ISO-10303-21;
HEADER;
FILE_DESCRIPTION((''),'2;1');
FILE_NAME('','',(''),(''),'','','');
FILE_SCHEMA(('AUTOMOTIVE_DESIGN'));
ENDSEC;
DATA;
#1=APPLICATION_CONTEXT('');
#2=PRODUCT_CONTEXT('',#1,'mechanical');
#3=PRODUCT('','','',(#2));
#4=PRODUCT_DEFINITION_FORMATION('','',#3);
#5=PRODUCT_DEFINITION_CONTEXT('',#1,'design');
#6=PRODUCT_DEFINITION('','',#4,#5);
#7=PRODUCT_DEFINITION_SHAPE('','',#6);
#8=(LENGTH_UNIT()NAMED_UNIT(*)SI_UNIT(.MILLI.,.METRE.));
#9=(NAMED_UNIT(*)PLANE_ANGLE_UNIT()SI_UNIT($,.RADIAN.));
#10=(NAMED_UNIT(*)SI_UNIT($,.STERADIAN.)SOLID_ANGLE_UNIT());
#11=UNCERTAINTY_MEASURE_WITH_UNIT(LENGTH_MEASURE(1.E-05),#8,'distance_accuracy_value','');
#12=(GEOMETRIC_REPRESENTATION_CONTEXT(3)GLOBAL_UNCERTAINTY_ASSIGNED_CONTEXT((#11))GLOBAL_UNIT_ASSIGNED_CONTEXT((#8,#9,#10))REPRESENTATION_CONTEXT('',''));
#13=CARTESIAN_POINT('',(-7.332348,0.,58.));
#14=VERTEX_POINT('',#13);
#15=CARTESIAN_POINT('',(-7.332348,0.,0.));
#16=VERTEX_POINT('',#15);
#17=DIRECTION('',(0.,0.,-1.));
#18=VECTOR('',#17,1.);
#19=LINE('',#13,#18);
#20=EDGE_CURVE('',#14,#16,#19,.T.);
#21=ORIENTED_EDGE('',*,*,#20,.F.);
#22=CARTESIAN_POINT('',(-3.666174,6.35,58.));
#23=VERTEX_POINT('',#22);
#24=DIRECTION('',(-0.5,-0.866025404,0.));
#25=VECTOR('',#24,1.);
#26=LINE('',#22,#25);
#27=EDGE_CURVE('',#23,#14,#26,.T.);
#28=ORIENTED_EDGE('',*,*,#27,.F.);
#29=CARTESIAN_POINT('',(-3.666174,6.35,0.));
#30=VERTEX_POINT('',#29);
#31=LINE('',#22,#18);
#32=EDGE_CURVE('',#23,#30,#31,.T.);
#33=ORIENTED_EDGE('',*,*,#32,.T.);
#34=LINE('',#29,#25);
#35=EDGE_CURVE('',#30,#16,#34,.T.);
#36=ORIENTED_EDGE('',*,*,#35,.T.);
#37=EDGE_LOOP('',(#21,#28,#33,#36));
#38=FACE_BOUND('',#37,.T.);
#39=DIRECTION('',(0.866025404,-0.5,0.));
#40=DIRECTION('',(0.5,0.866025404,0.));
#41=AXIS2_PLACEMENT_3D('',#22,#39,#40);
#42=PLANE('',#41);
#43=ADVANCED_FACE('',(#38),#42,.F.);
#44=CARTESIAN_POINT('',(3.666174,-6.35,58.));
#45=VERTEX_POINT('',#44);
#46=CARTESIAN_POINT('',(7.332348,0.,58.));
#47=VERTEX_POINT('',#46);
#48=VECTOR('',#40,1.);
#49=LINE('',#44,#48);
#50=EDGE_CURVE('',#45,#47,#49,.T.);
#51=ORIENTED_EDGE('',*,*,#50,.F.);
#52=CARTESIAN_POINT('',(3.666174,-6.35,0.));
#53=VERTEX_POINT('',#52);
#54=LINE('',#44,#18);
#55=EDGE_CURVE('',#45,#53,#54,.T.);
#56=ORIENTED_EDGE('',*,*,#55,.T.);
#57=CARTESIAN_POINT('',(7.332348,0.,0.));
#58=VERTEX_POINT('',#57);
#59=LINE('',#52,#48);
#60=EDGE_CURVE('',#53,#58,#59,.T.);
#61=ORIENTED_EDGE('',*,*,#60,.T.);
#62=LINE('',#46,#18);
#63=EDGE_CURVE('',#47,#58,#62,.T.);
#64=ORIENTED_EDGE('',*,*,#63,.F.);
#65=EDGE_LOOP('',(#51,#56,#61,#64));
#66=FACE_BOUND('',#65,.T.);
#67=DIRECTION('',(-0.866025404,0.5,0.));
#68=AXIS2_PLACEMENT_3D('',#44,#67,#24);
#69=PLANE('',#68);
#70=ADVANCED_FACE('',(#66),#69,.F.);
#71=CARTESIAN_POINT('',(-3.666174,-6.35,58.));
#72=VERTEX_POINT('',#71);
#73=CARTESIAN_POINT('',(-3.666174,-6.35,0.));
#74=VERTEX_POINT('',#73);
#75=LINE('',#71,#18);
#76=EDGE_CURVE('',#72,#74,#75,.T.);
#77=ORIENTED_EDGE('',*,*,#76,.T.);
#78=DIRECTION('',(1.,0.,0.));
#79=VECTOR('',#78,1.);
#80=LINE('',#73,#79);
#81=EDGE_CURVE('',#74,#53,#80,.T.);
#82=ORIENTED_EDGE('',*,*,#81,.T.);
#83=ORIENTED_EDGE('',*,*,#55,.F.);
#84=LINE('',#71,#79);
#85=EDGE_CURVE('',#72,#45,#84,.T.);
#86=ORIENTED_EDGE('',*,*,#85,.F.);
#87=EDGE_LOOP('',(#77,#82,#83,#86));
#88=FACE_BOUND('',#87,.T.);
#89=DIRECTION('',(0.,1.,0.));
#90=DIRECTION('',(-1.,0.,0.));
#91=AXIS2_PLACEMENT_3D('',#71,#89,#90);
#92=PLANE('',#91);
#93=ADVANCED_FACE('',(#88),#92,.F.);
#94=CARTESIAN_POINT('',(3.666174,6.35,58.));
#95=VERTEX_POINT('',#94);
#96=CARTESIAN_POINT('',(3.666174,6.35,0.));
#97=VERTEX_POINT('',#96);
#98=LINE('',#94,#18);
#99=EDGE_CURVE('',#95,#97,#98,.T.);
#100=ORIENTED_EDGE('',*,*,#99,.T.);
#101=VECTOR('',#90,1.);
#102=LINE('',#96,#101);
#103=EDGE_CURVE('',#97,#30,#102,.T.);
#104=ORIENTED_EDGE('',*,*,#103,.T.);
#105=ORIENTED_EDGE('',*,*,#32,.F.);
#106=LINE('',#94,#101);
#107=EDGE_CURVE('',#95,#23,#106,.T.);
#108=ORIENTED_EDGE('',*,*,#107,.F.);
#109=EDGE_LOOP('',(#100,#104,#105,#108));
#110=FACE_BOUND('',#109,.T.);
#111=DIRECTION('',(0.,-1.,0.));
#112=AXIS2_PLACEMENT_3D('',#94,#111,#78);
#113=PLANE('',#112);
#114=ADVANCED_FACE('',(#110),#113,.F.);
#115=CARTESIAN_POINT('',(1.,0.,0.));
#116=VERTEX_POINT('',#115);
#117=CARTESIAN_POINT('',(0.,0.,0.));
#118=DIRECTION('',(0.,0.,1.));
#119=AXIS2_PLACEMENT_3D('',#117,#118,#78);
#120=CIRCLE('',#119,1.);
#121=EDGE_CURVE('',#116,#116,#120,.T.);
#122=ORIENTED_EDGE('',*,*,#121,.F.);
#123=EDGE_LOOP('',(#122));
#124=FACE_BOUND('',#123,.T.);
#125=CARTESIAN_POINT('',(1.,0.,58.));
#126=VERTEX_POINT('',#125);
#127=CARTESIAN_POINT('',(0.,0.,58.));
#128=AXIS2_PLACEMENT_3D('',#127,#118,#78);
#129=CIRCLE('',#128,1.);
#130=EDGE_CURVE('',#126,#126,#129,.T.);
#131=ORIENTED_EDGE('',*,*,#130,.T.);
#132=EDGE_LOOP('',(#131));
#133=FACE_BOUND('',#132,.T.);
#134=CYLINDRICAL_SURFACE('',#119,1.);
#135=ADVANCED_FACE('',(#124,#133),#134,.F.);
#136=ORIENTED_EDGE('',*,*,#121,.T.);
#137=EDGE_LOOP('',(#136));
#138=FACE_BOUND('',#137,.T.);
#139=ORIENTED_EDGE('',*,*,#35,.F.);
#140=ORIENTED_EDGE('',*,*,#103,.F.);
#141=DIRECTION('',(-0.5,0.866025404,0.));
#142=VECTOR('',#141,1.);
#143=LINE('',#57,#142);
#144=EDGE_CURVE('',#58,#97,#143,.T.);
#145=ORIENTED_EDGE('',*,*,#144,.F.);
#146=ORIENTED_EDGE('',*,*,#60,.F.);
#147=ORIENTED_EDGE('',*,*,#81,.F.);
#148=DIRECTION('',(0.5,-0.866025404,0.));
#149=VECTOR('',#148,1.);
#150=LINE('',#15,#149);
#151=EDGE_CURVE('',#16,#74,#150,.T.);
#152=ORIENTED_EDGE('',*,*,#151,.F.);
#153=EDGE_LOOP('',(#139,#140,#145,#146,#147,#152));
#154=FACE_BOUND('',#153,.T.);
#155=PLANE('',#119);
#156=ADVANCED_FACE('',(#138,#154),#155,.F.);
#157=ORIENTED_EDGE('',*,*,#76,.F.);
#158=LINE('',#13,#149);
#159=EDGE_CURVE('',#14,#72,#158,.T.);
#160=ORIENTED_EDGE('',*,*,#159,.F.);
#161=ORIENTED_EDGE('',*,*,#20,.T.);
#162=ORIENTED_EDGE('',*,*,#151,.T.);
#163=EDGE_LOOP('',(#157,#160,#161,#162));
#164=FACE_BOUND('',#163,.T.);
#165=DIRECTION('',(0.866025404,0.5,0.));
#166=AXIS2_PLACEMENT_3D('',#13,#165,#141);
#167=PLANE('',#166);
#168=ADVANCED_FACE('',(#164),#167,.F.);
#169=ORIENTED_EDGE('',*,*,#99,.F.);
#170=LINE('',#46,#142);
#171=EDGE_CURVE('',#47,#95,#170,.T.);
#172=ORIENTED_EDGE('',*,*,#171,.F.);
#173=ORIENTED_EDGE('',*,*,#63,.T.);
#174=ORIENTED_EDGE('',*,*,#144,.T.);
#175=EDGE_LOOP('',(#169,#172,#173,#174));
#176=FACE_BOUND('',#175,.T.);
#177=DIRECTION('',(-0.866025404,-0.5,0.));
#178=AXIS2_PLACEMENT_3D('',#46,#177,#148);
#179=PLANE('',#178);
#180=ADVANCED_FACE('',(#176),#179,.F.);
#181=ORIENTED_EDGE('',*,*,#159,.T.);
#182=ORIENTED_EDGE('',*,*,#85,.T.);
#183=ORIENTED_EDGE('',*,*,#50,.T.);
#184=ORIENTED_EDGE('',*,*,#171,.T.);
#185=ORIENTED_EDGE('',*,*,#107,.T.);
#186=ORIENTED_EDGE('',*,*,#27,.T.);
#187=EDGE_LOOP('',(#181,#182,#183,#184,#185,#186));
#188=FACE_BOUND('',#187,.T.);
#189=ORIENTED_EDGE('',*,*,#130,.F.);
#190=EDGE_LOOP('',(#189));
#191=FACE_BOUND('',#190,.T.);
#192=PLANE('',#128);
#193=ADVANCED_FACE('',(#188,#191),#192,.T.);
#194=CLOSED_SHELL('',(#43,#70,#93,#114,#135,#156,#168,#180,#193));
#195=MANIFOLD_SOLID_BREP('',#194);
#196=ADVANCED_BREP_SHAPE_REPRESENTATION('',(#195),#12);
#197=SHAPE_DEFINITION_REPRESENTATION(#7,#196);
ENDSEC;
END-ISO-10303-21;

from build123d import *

# Parameters (mm, degrees)
BOSS_EXTRUDE1_DEPTH = 58
SKETCH2_R           = 1
CUT_EXTRUDE1_DEPTH  = 59


with BuildPart() as part:
    # Sketch1 → Boss-Extrude1 (new body)
    with BuildSketch(Plane.XY):
        Polygon((7.332348419, 0), (3.666174209, 6.35), (-3.666174209, 6.35), (-7.332348419, 0), (-3.666174209, -6.35), (3.666174209, -6.35), align=None)
    extrude(amount=BOSS_EXTRUDE1_DEPTH)

    # Sketch2 → Cut-Extrude1 (cut, through all)
    with BuildSketch(Plane.XY.offset(58)):
        Circle(SKETCH2_R)
    extrude(amount=-CUT_EXTRUDE1_DEPTH, mode=Mode.SUBTRACT)


solid = part.part
